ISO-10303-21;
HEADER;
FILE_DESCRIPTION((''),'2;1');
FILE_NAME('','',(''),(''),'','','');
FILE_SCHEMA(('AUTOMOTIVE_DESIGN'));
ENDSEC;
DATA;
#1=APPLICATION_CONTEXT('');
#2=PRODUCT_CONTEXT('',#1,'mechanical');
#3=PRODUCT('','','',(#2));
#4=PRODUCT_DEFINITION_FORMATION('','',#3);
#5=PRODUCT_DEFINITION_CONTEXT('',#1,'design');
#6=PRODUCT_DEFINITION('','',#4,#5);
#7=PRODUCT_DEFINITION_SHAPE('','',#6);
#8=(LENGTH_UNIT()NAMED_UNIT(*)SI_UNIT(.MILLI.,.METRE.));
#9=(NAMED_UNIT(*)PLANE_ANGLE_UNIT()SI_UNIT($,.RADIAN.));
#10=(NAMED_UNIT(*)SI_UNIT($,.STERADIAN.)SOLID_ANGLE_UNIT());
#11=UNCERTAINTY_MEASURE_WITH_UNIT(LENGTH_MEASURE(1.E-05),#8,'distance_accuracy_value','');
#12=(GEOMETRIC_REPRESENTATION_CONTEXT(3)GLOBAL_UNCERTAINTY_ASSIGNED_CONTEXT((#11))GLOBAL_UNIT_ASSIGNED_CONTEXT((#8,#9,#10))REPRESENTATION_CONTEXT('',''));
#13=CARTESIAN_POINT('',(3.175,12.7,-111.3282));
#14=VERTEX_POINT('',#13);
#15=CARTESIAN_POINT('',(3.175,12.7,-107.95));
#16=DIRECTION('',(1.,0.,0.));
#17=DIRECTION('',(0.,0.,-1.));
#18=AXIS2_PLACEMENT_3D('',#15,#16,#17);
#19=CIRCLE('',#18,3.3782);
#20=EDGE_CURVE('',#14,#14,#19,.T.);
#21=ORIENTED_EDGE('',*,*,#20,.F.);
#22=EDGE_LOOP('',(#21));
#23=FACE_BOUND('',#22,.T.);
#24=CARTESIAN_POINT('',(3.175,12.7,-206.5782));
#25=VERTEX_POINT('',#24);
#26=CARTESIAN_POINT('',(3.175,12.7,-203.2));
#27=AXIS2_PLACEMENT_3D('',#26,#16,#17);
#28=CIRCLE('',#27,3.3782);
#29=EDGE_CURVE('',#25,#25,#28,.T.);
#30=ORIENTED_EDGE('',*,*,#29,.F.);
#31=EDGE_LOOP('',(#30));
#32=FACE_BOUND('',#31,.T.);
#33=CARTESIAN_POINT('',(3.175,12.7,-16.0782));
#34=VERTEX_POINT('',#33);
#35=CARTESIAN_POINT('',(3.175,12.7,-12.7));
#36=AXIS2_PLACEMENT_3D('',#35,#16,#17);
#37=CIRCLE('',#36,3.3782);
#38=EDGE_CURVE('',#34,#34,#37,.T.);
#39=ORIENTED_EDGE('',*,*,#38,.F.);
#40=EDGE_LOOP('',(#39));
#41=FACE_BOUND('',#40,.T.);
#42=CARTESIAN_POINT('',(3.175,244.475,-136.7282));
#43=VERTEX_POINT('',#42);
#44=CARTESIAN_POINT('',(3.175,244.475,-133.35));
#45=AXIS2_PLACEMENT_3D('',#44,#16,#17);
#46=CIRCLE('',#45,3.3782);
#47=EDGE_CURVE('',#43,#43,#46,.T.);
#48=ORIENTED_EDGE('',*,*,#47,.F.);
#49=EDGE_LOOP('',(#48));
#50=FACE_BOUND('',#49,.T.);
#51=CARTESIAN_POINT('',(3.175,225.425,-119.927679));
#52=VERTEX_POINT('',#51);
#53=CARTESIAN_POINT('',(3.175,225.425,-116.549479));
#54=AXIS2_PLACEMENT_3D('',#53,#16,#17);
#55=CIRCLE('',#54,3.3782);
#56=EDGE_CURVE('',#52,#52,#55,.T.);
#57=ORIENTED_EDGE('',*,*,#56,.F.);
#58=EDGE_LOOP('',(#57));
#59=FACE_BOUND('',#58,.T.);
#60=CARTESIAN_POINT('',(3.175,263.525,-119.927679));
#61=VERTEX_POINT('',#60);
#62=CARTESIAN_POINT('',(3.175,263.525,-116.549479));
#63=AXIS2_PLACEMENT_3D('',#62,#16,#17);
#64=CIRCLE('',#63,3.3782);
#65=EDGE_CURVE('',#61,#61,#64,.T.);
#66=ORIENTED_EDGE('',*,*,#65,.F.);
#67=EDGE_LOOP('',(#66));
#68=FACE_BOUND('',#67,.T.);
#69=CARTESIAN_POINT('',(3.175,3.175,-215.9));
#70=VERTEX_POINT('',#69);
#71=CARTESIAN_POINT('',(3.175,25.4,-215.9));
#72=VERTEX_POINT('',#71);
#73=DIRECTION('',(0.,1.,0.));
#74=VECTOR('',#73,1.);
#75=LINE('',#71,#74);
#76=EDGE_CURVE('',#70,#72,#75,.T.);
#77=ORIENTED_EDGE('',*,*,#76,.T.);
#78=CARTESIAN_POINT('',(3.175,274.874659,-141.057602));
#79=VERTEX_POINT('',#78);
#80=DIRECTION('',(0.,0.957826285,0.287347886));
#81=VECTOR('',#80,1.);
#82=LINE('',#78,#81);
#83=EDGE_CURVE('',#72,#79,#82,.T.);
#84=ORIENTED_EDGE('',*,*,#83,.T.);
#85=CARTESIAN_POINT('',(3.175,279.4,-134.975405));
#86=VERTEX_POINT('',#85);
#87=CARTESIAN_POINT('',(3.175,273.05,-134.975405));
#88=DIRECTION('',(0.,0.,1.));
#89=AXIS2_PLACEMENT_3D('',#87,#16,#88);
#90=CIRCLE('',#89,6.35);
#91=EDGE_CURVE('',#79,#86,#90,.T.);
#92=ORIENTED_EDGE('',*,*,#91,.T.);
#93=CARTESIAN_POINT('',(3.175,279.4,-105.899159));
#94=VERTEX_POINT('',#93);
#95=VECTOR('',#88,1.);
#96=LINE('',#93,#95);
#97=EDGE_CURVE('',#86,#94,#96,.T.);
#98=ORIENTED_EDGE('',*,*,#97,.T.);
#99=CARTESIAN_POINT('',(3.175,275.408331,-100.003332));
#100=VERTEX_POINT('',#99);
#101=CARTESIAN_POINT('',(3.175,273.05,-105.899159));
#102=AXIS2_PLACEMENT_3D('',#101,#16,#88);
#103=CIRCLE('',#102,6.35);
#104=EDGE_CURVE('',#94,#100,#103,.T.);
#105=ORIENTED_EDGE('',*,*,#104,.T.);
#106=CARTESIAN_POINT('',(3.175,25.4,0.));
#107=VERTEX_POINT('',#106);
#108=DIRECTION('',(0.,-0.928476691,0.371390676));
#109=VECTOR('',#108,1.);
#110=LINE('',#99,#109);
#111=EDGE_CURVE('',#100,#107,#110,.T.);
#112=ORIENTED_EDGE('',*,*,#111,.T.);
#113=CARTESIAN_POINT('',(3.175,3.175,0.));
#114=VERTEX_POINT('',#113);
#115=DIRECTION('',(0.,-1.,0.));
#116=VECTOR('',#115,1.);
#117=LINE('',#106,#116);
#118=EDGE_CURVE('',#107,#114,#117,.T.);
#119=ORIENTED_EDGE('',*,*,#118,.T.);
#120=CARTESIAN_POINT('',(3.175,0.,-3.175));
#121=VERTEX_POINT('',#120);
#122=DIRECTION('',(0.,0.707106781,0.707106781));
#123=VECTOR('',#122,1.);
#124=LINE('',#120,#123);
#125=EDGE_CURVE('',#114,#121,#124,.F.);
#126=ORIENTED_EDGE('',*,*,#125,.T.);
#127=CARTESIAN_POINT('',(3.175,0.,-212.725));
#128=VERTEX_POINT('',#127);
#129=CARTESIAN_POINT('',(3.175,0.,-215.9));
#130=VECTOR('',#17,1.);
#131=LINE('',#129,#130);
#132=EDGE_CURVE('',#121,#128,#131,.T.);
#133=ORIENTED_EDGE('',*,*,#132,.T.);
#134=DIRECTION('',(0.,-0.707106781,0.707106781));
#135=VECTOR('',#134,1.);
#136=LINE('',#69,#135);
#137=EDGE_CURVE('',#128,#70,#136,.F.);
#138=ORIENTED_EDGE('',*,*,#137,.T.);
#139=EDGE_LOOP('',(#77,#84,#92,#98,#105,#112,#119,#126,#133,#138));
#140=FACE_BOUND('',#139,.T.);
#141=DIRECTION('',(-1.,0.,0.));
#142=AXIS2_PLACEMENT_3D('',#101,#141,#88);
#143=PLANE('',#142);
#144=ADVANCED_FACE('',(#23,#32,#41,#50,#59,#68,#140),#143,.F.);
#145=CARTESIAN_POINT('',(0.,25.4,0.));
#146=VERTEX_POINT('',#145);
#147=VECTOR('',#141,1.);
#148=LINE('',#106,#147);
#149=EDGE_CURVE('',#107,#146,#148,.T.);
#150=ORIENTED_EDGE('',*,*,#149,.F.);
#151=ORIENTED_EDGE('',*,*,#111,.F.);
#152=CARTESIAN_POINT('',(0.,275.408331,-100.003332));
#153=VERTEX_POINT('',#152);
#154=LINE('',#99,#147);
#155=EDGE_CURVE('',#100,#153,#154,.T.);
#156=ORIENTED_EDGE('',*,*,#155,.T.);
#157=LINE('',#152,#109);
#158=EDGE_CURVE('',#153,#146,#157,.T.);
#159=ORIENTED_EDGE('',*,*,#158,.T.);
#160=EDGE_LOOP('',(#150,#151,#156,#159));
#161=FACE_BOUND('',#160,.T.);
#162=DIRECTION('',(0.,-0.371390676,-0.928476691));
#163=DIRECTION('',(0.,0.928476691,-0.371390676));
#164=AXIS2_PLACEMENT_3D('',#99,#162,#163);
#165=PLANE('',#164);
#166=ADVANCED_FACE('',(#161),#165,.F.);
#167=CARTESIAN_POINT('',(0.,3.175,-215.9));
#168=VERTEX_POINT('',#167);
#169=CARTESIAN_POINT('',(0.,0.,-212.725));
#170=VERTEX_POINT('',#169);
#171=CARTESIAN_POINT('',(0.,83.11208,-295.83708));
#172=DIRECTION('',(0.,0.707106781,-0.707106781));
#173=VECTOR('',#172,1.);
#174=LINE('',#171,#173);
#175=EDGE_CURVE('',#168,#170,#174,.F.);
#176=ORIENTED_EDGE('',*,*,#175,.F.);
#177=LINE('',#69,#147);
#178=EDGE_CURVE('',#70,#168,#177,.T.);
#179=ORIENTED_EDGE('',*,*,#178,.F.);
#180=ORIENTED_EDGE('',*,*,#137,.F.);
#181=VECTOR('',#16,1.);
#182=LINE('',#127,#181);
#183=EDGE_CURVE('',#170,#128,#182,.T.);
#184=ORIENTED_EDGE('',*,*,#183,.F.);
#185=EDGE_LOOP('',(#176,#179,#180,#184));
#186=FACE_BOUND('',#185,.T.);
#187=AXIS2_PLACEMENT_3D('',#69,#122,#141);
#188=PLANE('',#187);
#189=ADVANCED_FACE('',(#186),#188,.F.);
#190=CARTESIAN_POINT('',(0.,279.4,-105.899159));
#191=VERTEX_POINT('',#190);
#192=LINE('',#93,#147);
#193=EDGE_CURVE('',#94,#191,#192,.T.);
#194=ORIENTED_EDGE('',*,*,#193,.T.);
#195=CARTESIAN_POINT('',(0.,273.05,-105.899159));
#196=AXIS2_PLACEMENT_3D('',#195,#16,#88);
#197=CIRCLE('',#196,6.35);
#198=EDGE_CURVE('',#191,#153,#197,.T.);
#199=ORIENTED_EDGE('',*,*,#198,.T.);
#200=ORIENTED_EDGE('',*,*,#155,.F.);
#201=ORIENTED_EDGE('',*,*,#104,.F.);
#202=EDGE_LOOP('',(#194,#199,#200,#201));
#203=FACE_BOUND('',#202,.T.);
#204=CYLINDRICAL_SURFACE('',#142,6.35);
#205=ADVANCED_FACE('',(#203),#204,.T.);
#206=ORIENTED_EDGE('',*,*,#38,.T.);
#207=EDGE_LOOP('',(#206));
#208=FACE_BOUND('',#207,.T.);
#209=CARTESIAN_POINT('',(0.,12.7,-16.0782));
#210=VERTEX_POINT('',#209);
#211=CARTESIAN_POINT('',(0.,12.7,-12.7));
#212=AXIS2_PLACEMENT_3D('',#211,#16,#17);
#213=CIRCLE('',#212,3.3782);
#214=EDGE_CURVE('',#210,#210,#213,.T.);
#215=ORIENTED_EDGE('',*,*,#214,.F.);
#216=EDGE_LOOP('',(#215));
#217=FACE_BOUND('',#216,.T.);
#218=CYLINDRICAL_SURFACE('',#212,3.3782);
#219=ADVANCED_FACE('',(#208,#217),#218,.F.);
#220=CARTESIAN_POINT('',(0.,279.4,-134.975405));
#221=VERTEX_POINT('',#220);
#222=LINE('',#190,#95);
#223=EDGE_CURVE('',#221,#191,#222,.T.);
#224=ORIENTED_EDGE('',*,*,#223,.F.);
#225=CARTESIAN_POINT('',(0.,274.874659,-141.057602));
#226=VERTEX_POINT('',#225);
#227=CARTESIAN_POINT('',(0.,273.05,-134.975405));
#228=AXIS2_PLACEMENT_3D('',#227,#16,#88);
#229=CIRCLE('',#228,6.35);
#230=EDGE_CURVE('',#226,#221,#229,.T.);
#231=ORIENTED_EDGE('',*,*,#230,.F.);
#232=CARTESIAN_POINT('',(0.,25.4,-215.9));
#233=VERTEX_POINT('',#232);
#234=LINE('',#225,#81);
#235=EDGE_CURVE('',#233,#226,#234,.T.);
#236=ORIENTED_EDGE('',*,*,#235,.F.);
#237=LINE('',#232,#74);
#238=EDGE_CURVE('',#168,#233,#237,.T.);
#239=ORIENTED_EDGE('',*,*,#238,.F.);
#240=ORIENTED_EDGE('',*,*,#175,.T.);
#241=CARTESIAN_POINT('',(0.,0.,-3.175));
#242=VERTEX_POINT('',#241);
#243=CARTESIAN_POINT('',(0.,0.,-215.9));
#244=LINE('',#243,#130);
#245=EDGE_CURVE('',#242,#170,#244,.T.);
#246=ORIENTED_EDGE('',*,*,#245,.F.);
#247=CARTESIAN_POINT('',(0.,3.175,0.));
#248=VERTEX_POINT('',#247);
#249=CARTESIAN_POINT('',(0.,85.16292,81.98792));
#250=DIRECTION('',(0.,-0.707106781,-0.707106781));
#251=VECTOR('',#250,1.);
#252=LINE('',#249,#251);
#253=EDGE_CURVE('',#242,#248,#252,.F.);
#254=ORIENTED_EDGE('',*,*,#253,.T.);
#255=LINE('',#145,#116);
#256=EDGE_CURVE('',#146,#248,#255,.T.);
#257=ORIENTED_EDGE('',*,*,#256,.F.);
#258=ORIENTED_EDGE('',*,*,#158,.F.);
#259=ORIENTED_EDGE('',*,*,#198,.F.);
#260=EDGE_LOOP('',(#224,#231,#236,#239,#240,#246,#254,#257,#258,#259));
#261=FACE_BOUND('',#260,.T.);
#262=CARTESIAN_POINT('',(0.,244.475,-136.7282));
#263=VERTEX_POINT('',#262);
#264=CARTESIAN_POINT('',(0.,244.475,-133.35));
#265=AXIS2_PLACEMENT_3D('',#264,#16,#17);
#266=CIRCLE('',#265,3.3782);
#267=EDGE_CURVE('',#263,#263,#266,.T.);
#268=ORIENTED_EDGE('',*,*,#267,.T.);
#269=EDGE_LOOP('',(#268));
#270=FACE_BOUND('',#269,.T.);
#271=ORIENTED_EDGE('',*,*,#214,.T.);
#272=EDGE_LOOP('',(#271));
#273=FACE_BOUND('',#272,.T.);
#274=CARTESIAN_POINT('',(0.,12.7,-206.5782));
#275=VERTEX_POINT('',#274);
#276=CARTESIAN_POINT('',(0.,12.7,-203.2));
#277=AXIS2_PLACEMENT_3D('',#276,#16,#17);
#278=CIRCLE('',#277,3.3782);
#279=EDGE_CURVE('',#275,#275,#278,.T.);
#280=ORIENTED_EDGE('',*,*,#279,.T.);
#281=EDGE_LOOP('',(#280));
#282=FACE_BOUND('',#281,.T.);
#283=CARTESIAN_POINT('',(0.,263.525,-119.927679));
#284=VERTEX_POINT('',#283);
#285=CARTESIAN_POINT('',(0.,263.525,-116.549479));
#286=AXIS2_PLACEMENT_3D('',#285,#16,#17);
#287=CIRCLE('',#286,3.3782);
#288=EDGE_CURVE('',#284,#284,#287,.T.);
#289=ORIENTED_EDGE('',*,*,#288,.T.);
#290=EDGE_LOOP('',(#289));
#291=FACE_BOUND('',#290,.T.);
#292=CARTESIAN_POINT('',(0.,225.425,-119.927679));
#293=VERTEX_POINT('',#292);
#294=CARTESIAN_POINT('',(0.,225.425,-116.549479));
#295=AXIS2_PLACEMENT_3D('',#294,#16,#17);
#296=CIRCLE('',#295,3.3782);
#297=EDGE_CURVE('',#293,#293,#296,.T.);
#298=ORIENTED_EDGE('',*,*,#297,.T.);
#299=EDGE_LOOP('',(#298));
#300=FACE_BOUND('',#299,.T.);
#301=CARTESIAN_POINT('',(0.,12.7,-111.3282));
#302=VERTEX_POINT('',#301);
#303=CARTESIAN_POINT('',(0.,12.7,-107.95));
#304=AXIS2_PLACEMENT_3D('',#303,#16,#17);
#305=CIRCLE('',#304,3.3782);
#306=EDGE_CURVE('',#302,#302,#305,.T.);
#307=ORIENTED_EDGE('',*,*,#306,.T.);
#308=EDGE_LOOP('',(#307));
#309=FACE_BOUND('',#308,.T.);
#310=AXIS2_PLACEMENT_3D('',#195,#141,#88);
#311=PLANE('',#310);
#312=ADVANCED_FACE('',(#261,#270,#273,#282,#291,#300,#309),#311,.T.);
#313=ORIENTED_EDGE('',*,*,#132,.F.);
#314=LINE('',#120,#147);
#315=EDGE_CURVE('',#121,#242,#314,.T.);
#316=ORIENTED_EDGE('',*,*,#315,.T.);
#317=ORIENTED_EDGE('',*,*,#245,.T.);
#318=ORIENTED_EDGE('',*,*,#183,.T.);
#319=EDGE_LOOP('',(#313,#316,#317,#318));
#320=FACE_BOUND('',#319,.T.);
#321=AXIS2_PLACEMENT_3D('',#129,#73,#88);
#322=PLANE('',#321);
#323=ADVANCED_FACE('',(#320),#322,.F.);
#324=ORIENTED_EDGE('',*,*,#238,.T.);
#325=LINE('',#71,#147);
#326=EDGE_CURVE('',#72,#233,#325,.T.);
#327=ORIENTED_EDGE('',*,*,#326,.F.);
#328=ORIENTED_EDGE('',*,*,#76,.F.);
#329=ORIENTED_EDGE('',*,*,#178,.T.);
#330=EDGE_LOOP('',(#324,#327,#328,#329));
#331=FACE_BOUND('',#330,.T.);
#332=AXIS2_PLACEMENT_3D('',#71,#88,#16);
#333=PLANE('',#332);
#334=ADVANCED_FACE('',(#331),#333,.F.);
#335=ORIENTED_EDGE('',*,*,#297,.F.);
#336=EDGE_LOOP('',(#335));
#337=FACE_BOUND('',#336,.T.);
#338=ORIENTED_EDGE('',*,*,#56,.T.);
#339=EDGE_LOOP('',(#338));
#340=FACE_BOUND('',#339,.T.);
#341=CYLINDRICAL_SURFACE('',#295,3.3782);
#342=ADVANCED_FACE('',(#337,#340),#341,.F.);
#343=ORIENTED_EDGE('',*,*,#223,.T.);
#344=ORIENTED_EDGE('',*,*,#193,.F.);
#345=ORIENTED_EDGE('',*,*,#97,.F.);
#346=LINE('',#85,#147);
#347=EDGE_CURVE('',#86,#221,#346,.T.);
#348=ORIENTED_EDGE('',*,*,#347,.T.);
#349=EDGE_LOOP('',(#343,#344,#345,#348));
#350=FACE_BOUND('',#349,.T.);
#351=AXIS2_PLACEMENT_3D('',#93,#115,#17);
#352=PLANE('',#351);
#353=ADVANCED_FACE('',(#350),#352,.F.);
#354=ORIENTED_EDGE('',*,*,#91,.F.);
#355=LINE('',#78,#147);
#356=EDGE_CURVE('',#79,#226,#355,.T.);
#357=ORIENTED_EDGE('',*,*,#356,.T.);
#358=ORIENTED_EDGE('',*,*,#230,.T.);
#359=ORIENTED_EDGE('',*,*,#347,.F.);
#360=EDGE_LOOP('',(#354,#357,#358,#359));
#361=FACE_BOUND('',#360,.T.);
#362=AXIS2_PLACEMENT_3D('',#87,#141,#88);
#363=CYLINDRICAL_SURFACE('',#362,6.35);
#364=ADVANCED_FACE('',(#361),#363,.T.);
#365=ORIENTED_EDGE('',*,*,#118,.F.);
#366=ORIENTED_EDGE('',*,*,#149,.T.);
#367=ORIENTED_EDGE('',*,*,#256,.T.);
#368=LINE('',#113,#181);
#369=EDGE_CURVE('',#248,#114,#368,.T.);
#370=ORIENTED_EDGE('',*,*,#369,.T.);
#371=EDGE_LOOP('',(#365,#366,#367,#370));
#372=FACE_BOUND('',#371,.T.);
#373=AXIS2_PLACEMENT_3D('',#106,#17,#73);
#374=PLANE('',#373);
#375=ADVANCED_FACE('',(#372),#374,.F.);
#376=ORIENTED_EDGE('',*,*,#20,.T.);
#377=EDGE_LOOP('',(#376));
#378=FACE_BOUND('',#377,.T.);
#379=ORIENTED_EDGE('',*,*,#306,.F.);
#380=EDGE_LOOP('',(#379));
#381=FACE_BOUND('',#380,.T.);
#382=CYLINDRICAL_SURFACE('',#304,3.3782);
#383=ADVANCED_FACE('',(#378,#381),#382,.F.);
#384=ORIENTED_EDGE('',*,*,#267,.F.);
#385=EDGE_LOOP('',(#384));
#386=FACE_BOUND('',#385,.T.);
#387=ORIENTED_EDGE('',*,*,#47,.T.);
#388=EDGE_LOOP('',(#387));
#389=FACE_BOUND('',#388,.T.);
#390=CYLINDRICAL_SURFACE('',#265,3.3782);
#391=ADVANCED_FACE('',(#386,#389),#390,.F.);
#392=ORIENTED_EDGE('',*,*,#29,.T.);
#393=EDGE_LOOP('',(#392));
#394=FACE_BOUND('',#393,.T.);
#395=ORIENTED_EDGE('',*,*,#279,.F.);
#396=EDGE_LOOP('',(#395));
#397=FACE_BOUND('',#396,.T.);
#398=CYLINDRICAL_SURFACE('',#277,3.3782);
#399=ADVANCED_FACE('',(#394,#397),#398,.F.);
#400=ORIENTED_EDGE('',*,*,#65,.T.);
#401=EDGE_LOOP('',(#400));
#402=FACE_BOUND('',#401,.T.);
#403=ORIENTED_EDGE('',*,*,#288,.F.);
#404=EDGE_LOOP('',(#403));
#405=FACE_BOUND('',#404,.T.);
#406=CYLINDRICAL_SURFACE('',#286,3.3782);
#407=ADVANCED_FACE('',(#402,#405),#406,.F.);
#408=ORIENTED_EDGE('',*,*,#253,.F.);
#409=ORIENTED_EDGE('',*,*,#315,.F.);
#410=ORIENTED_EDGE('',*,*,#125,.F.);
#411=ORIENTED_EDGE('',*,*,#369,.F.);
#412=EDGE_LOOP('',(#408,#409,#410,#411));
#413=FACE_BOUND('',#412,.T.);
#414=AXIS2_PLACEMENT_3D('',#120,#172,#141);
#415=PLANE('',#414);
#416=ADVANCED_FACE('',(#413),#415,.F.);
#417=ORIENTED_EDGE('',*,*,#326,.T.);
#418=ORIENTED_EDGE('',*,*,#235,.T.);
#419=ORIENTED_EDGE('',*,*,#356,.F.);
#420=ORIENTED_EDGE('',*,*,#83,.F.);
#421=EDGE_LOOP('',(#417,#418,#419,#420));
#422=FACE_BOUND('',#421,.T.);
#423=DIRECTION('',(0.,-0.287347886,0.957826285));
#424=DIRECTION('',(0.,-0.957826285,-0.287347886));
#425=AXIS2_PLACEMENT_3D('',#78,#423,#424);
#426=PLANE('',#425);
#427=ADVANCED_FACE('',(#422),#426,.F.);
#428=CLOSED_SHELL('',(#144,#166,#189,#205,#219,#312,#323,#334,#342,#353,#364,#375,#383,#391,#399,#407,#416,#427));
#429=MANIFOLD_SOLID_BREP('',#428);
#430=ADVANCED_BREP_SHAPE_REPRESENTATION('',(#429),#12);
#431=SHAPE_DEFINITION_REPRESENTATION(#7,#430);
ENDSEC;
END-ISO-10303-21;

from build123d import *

# Parameters (mm, degrees)
BOSS_EXTRUDE1_DEPTH = 3.175
SKETCH3_R           = 3.3782
CUT_EXTRUDE2_DEPTH  = 354.110819184
SKETCH4_R           = 3.3782
CUT_EXTRUDE3_DEPTH  = 354.110819184
CHAMFER1_SIZE       = 3.175


with BuildPart() as part:
    # Sketch1 → Boss-Extrude1 (new body)
    with BuildSketch(Plane(origin=(0, 0, 0), x_dir=(0, 0, -1), z_dir=(1, 0, 0))):
        with BuildLine():
            Line((105.899159305, 279.4), (134.975405367, 279.4))
            ThreePointArc((134.975405367, 279.4), (138.76591423, 278.144560095), (141.057602278, 274.874659073))
            Line((141.057602278, 274.874659073), (215.9, 25.4))
            Line((215.9, 25.4), (215.9, 0))
            Line((215.9, 0), (0, 0))
            Line((0, 0), (0, 25.4))
            Line((0, 25.4), (100.003332318, 275.408330795))
            ThreePointArc((100.003332318, 275.408330795), (102.339166366, 278.308226913), (105.899159305, 279.4))
        make_face()
    extrude(amount=BOSS_EXTRUDE1_DEPTH)

    # Sketch3 → Cut-Extrude2 (cut, through all)
    with BuildSketch(Plane(origin=(3.175, 0, 0), x_dir=(0, 0, -1), z_dir=(1, 0, 0))):
        with Locations((133.35, 244.475)):
            Circle(SKETCH3_R)
        with Locations((116.549479175, 225.425)):
            Circle(SKETCH3_R)
        with Locations((116.549479175, 263.525)):
            Circle(SKETCH3_R)
    extrude(amount=-CUT_EXTRUDE2_DEPTH, mode=Mode.SUBTRACT)

    # Sketch4 → Cut-Extrude3 (cut, through all)
    with BuildSketch(Plane(origin=(3.175, 0, 0), x_dir=(0, 0, -1), z_dir=(1, 0, 0))):
        with Locations((12.7, 12.7)):
            Circle(SKETCH4_R)
        with Locations((107.95, 12.7)):
            Circle(SKETCH4_R)
        with Locations((203.2, 12.7)):
            Circle(SKETCH4_R)
    extrude(amount=-CUT_EXTRUDE3_DEPTH, mode=Mode.SUBTRACT)

    # Chamfer1
    chamfer1_edges = [part.edges().sort_by_distance(p)[0] for p in [
        (1.5875, 0, -215.9),
        (1.5875, 0, 0),
    ]]
    chamfer(chamfer1_edges, length=CHAMFER1_SIZE)


solid = part.part
